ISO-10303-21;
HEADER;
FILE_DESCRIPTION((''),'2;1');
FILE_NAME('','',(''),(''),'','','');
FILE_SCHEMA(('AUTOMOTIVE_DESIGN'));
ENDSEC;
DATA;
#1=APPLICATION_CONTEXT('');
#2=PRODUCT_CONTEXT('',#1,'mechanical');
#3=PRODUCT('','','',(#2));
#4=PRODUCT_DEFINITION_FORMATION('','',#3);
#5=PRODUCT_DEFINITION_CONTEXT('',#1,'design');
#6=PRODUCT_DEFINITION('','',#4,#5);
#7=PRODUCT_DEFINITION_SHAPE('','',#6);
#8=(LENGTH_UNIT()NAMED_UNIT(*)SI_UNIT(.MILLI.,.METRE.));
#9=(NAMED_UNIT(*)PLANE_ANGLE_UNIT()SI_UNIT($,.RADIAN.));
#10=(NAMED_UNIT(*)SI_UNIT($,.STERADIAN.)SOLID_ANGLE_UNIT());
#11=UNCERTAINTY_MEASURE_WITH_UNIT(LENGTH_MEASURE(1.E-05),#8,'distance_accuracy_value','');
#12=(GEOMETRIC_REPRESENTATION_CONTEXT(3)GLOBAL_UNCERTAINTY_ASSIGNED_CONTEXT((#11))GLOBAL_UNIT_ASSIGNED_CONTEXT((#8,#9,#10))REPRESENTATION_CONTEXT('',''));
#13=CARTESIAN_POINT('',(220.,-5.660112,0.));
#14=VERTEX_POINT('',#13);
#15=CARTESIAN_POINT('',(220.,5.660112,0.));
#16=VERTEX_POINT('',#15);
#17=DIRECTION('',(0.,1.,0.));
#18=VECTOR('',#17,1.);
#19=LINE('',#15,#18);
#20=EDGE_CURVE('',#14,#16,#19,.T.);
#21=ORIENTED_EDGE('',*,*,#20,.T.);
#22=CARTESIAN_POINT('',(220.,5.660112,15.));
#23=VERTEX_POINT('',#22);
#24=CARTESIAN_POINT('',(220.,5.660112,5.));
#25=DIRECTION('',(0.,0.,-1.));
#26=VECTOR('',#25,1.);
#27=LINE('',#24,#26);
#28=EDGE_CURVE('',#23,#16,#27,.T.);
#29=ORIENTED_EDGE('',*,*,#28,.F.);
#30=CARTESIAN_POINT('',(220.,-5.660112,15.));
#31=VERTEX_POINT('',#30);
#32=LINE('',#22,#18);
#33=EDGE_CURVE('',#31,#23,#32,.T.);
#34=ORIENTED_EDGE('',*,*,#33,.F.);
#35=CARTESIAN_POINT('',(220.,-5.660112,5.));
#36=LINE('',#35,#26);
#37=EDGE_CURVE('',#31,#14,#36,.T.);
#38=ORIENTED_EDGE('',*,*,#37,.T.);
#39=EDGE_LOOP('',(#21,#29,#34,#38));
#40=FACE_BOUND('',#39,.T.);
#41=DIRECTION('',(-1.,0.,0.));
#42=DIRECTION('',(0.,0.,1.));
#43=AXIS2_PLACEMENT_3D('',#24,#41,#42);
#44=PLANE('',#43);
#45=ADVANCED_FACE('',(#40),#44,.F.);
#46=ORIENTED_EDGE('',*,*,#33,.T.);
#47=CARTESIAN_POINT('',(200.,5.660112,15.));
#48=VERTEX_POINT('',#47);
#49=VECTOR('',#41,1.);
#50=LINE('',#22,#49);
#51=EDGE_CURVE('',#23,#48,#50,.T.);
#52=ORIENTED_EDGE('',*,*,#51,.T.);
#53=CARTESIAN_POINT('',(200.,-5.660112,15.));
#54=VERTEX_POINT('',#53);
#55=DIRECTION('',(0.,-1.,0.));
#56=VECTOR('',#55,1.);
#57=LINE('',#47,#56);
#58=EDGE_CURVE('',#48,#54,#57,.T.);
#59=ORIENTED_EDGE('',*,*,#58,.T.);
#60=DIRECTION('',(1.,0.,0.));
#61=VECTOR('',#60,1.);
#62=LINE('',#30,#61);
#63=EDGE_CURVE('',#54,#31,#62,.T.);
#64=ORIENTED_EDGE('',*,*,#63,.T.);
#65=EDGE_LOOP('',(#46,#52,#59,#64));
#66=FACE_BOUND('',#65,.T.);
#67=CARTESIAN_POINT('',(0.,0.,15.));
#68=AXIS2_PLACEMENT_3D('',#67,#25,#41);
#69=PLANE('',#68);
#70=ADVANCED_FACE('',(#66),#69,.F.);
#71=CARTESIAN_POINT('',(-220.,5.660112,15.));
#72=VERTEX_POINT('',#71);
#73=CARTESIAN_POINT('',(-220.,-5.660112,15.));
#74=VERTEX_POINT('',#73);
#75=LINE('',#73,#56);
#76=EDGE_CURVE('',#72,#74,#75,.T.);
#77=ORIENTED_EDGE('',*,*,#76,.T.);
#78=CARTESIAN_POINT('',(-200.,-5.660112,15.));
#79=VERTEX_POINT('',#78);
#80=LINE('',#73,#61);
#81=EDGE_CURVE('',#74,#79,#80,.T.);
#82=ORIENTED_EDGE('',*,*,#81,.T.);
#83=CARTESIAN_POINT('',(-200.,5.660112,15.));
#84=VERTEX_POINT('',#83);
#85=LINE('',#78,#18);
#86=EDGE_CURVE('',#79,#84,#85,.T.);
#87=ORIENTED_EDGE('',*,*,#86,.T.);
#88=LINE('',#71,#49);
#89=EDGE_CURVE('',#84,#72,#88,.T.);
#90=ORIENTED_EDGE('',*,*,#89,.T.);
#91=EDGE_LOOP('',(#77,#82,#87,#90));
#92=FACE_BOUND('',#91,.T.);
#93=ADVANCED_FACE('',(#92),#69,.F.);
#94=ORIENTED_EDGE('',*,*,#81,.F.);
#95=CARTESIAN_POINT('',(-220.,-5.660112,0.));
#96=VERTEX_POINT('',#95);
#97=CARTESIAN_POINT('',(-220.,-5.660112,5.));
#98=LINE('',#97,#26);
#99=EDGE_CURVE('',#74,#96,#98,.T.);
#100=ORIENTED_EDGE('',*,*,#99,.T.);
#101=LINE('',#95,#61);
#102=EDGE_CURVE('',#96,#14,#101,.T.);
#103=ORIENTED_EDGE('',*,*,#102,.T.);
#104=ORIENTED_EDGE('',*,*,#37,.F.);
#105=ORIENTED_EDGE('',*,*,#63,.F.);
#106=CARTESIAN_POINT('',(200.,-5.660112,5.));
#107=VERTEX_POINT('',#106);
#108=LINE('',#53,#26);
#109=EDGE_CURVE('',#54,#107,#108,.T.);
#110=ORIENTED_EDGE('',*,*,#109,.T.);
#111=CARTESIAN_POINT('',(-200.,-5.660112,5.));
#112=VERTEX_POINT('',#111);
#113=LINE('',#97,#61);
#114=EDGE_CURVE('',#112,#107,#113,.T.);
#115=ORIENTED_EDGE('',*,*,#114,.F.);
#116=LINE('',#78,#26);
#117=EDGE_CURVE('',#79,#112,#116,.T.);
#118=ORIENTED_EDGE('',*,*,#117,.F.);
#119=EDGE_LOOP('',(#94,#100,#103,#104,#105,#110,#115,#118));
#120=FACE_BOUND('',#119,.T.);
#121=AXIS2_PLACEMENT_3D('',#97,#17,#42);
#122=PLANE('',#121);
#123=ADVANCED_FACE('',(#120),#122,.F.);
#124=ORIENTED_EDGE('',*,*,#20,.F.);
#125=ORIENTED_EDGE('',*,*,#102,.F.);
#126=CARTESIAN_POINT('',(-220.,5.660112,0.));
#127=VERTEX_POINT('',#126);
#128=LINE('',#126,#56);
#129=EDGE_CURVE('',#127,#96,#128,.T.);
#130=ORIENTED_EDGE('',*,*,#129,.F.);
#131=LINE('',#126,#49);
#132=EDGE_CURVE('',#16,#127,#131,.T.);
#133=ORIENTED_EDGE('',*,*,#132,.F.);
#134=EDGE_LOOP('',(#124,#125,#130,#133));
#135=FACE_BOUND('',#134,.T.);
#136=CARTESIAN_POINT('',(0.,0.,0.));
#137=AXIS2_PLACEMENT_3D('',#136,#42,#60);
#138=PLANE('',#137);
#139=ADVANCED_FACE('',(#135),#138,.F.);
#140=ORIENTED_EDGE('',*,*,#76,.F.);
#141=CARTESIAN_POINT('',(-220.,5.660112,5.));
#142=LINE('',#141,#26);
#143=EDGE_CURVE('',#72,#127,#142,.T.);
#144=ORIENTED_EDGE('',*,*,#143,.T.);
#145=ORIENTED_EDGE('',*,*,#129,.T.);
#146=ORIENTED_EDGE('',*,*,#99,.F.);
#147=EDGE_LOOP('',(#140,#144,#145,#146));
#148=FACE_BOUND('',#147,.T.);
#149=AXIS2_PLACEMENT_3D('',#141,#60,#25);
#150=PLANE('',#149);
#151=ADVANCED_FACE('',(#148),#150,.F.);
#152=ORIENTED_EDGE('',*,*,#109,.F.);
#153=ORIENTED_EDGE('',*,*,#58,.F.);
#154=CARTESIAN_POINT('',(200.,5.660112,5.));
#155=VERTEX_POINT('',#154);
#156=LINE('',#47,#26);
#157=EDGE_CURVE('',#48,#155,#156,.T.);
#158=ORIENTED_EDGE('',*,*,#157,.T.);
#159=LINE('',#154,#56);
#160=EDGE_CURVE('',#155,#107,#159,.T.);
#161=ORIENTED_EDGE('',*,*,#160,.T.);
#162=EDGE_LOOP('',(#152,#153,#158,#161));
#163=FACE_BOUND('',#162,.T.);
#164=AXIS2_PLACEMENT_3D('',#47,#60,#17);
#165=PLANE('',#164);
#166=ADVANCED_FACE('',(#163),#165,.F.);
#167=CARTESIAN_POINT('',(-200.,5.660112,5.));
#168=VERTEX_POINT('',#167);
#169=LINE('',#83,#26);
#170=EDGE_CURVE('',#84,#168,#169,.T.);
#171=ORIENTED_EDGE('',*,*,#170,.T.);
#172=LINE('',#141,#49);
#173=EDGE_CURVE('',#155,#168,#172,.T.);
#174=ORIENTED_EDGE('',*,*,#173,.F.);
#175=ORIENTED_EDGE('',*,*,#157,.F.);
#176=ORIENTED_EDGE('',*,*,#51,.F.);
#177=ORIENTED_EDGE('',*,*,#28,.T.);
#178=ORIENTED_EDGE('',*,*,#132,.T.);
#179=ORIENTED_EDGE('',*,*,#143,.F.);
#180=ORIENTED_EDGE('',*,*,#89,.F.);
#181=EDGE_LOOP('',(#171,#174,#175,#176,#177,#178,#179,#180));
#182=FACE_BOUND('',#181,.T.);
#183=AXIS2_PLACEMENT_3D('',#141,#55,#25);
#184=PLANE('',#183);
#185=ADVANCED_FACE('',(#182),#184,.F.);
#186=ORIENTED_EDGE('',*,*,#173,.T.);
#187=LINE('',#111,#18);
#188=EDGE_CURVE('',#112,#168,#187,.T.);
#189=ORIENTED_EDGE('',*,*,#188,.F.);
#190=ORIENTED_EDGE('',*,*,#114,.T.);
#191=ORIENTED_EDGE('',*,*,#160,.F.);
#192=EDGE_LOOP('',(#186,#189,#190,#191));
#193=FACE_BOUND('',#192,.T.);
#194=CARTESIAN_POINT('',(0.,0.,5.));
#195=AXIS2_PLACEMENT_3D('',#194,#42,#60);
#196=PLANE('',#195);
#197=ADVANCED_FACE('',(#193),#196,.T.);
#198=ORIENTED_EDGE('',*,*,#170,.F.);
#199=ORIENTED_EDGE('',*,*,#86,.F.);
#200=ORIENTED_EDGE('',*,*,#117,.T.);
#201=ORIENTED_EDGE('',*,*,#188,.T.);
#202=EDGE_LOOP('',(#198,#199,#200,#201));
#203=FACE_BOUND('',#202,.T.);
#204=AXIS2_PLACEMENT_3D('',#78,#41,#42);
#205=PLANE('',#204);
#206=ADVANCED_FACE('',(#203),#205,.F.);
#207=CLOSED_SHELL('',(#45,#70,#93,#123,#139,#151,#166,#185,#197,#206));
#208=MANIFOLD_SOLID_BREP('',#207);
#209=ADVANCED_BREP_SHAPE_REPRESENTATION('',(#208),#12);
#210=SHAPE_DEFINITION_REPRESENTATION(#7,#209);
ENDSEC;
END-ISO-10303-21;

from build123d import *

# Parameters (mm, degrees)
SKETCH_1_W      = 440
SKETCH_1_H      = 11.320223532
EXTRUDE_1_DEPTH = 5
SKETCH_2_W      = 20
SKETCH_2_H      = 11.320223532
EXTRUDE_2_DEPTH = 10


with BuildPart() as part:
    # 스케치1 → 보스-돌출1 (new body)
    with BuildSketch(Plane.XY):
        Rectangle(SKETCH_1_W, SKETCH_1_H)
    extrude(amount=EXTRUDE_1_DEPTH)

    # 스케치2 → 보스-돌출2 (add)
    with BuildSketch(Plane.XY.offset(5)):
        with Locations((-210, 0)):
            Rectangle(SKETCH_2_W, SKETCH_2_H)
        with Locations((210, 0)):
            Rectangle(SKETCH_2_W, SKETCH_2_H)
    extrude(amount=EXTRUDE_2_DEPTH)


solid = part.part
